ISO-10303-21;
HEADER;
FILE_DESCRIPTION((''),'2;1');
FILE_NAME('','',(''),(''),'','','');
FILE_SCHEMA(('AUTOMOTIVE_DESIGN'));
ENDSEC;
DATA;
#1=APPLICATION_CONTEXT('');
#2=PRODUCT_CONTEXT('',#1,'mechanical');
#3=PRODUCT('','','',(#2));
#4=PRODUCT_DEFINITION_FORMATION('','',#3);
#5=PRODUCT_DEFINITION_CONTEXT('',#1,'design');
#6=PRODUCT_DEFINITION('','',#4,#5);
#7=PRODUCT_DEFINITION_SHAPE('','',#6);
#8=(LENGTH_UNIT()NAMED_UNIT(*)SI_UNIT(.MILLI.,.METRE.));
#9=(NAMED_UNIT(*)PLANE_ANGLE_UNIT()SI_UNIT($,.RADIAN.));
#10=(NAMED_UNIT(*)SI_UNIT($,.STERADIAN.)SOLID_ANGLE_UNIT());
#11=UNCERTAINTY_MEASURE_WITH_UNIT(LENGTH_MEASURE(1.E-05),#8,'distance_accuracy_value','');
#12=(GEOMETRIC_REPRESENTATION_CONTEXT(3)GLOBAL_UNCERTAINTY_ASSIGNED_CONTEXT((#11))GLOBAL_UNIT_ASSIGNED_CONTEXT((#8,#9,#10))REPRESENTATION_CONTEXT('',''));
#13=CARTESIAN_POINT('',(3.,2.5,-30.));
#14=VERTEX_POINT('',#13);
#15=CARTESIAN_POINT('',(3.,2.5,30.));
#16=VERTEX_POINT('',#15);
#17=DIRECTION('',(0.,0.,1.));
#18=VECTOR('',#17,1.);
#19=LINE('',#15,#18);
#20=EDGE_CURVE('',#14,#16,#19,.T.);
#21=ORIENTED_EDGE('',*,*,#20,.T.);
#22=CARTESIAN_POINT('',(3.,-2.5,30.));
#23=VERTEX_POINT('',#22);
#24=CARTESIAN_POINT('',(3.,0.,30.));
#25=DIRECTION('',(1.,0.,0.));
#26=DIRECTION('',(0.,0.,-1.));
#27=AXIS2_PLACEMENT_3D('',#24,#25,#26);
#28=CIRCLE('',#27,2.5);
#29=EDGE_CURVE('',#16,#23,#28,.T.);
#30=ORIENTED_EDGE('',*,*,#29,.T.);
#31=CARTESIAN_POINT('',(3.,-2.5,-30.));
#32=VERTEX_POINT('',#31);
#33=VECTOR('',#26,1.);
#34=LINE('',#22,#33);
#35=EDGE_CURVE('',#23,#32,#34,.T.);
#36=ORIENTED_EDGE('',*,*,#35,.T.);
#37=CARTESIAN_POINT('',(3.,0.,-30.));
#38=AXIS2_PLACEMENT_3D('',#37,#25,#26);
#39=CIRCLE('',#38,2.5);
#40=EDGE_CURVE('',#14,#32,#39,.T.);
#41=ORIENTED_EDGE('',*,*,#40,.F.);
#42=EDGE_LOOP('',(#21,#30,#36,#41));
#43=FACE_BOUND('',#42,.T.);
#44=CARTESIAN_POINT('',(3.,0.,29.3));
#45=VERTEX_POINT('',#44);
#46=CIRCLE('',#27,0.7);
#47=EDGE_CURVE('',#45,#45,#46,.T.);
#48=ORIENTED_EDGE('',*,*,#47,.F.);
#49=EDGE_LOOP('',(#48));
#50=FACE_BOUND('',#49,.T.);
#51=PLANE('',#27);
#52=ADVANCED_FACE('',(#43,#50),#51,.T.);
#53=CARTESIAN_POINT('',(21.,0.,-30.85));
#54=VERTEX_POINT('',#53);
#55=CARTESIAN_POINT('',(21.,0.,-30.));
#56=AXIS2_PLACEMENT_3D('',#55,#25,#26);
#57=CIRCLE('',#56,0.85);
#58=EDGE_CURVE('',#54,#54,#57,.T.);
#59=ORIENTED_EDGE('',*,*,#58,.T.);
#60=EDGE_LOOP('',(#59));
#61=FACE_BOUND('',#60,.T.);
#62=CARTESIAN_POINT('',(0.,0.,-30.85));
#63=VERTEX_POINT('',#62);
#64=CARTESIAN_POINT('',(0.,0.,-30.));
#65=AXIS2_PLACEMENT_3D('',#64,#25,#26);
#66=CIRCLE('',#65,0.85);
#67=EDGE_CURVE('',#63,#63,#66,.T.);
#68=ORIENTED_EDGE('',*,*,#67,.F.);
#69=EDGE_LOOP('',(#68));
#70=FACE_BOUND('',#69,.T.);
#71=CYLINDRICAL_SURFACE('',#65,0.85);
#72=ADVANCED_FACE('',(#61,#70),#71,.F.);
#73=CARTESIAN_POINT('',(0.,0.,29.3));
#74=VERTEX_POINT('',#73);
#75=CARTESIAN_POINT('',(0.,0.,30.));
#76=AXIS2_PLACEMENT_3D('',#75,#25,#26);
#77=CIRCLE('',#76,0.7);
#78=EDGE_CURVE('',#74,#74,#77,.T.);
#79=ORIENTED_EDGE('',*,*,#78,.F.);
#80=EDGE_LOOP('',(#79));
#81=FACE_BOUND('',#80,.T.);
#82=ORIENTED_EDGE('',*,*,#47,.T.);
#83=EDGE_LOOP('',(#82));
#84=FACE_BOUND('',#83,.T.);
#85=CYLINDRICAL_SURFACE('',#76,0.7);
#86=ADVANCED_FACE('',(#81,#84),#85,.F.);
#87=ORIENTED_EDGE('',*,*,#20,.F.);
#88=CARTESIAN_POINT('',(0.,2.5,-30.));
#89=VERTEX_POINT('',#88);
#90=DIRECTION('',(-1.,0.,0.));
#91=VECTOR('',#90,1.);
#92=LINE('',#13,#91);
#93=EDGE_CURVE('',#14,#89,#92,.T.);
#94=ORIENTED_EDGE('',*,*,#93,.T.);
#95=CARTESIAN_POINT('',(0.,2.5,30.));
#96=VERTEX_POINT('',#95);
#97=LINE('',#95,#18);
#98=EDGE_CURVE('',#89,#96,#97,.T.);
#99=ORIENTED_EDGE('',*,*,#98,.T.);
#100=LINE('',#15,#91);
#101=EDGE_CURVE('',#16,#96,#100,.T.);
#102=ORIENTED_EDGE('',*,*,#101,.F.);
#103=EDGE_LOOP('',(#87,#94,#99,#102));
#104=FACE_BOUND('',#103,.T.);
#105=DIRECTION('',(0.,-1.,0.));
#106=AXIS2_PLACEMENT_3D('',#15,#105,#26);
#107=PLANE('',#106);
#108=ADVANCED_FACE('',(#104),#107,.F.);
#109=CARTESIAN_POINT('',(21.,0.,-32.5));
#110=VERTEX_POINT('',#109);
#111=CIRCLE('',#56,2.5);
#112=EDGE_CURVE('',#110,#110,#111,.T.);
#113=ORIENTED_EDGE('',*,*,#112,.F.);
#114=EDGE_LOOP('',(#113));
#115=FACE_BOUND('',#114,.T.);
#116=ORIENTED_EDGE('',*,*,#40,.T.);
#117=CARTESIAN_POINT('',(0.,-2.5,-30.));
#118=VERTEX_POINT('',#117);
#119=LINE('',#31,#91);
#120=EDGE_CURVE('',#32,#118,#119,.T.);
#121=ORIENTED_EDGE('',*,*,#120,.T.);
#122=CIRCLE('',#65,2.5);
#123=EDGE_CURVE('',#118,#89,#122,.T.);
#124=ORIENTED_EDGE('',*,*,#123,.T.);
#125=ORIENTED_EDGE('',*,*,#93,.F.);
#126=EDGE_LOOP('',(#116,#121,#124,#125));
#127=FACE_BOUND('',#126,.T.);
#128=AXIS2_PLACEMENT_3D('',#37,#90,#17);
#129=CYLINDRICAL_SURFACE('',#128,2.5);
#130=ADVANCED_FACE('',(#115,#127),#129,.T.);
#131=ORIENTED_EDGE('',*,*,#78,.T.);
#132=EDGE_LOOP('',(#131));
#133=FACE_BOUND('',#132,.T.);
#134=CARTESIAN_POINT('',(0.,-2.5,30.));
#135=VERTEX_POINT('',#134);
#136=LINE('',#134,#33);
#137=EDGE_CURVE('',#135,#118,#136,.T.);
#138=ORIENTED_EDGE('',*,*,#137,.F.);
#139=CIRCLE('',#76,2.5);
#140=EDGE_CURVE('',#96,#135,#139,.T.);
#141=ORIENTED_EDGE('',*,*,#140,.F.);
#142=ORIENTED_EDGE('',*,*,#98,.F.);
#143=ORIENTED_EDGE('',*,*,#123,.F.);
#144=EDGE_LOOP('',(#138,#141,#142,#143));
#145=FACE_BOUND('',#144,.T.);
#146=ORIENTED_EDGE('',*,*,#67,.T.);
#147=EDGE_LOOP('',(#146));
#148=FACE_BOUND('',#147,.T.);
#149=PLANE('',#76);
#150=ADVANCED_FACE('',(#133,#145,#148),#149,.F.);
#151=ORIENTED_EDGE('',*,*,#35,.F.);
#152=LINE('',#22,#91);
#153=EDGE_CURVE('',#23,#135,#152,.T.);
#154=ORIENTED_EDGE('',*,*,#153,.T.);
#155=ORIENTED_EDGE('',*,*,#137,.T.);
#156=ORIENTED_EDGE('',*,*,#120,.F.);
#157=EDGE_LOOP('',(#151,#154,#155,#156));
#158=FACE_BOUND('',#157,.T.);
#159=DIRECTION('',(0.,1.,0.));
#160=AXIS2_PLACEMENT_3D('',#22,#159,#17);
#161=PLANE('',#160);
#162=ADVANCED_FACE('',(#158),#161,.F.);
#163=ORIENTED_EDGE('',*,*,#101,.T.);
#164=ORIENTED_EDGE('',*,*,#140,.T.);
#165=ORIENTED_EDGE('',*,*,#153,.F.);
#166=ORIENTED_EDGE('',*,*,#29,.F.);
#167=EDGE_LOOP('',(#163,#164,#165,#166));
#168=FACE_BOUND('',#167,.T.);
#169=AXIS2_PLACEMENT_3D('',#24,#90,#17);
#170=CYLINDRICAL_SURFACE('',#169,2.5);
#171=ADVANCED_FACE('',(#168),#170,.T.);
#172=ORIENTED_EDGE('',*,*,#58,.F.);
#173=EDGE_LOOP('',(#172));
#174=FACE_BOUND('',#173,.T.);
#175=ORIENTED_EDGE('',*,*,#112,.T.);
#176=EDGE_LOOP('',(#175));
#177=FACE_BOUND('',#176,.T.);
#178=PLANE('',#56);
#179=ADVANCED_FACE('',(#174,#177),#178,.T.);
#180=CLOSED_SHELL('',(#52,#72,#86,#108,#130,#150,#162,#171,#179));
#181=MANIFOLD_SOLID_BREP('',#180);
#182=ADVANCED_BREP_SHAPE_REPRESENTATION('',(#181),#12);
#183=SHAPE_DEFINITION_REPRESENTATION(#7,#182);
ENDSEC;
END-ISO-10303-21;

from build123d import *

# Parameters (mm, degrees)
RESSALTO_EXTRUS_O1_DEPTH = 3
ESBO_O2_R                = 2.5
RESSALTO_EXTRUS_O2_DEPTH = 18
ESBO_O3_R                = 0.85
CORTE_EXTRUS_O1_DEPTH    = 39.774991941
ESBO_O4_R                = 0.7
CORTE_EXTRUS_O2_DEPTH    = 38.235735524


with BuildPart() as part:
    # Esboço1 → Ressalto-extrusão1 (new body)
    with BuildSketch(Plane(origin=(0, 0, 0), x_dir=(0, 0, -1), z_dir=(1, 0, 0))):
        with BuildLine():
            Line((-30, 2.5), (30, 2.5))
            ThreePointArc((30, 2.5), (32.5, 0), (30, -2.5))
            Line((30, -2.5), (-30, -2.5))
            ThreePointArc((-30, -2.5), (-32.5, 0), (-30, 2.5))
        make_face()
    extrude(amount=RESSALTO_EXTRUS_O1_DEPTH)

    # Esboço2 → Ressalto-extrusão2 (add)
    with BuildSketch(Plane(origin=(3, 0, 0), x_dir=(0, 0, -1), z_dir=(1, 0, 0))):
        with Locations(Location((30, 0, 0), (0, 0, 90))):
            Circle(ESBO_O2_R)
    extrude(amount=RESSALTO_EXTRUS_O2_DEPTH)

    # Esboço3 → Corte-extrusão1 (cut, through all)
    with BuildSketch(Plane(origin=(21, 0, 0), x_dir=(0, 0, -1), z_dir=(1, 0, 0))):
        with Locations((30, 0)):
            Circle(ESBO_O3_R)
    extrude(amount=-CORTE_EXTRUS_O1_DEPTH, mode=Mode.SUBTRACT)

    # Esboço4 → Corte-extrusão2 (cut, through all)
    with BuildSketch(Plane(origin=(3, 0, 0), x_dir=(0, 0, -1), z_dir=(1, 0, 0))):
        with Locations((-30, 0)):
            Circle(ESBO_O4_R)
    extrude(amount=-CORTE_EXTRUS_O2_DEPTH, mode=Mode.SUBTRACT)


solid = part.part
